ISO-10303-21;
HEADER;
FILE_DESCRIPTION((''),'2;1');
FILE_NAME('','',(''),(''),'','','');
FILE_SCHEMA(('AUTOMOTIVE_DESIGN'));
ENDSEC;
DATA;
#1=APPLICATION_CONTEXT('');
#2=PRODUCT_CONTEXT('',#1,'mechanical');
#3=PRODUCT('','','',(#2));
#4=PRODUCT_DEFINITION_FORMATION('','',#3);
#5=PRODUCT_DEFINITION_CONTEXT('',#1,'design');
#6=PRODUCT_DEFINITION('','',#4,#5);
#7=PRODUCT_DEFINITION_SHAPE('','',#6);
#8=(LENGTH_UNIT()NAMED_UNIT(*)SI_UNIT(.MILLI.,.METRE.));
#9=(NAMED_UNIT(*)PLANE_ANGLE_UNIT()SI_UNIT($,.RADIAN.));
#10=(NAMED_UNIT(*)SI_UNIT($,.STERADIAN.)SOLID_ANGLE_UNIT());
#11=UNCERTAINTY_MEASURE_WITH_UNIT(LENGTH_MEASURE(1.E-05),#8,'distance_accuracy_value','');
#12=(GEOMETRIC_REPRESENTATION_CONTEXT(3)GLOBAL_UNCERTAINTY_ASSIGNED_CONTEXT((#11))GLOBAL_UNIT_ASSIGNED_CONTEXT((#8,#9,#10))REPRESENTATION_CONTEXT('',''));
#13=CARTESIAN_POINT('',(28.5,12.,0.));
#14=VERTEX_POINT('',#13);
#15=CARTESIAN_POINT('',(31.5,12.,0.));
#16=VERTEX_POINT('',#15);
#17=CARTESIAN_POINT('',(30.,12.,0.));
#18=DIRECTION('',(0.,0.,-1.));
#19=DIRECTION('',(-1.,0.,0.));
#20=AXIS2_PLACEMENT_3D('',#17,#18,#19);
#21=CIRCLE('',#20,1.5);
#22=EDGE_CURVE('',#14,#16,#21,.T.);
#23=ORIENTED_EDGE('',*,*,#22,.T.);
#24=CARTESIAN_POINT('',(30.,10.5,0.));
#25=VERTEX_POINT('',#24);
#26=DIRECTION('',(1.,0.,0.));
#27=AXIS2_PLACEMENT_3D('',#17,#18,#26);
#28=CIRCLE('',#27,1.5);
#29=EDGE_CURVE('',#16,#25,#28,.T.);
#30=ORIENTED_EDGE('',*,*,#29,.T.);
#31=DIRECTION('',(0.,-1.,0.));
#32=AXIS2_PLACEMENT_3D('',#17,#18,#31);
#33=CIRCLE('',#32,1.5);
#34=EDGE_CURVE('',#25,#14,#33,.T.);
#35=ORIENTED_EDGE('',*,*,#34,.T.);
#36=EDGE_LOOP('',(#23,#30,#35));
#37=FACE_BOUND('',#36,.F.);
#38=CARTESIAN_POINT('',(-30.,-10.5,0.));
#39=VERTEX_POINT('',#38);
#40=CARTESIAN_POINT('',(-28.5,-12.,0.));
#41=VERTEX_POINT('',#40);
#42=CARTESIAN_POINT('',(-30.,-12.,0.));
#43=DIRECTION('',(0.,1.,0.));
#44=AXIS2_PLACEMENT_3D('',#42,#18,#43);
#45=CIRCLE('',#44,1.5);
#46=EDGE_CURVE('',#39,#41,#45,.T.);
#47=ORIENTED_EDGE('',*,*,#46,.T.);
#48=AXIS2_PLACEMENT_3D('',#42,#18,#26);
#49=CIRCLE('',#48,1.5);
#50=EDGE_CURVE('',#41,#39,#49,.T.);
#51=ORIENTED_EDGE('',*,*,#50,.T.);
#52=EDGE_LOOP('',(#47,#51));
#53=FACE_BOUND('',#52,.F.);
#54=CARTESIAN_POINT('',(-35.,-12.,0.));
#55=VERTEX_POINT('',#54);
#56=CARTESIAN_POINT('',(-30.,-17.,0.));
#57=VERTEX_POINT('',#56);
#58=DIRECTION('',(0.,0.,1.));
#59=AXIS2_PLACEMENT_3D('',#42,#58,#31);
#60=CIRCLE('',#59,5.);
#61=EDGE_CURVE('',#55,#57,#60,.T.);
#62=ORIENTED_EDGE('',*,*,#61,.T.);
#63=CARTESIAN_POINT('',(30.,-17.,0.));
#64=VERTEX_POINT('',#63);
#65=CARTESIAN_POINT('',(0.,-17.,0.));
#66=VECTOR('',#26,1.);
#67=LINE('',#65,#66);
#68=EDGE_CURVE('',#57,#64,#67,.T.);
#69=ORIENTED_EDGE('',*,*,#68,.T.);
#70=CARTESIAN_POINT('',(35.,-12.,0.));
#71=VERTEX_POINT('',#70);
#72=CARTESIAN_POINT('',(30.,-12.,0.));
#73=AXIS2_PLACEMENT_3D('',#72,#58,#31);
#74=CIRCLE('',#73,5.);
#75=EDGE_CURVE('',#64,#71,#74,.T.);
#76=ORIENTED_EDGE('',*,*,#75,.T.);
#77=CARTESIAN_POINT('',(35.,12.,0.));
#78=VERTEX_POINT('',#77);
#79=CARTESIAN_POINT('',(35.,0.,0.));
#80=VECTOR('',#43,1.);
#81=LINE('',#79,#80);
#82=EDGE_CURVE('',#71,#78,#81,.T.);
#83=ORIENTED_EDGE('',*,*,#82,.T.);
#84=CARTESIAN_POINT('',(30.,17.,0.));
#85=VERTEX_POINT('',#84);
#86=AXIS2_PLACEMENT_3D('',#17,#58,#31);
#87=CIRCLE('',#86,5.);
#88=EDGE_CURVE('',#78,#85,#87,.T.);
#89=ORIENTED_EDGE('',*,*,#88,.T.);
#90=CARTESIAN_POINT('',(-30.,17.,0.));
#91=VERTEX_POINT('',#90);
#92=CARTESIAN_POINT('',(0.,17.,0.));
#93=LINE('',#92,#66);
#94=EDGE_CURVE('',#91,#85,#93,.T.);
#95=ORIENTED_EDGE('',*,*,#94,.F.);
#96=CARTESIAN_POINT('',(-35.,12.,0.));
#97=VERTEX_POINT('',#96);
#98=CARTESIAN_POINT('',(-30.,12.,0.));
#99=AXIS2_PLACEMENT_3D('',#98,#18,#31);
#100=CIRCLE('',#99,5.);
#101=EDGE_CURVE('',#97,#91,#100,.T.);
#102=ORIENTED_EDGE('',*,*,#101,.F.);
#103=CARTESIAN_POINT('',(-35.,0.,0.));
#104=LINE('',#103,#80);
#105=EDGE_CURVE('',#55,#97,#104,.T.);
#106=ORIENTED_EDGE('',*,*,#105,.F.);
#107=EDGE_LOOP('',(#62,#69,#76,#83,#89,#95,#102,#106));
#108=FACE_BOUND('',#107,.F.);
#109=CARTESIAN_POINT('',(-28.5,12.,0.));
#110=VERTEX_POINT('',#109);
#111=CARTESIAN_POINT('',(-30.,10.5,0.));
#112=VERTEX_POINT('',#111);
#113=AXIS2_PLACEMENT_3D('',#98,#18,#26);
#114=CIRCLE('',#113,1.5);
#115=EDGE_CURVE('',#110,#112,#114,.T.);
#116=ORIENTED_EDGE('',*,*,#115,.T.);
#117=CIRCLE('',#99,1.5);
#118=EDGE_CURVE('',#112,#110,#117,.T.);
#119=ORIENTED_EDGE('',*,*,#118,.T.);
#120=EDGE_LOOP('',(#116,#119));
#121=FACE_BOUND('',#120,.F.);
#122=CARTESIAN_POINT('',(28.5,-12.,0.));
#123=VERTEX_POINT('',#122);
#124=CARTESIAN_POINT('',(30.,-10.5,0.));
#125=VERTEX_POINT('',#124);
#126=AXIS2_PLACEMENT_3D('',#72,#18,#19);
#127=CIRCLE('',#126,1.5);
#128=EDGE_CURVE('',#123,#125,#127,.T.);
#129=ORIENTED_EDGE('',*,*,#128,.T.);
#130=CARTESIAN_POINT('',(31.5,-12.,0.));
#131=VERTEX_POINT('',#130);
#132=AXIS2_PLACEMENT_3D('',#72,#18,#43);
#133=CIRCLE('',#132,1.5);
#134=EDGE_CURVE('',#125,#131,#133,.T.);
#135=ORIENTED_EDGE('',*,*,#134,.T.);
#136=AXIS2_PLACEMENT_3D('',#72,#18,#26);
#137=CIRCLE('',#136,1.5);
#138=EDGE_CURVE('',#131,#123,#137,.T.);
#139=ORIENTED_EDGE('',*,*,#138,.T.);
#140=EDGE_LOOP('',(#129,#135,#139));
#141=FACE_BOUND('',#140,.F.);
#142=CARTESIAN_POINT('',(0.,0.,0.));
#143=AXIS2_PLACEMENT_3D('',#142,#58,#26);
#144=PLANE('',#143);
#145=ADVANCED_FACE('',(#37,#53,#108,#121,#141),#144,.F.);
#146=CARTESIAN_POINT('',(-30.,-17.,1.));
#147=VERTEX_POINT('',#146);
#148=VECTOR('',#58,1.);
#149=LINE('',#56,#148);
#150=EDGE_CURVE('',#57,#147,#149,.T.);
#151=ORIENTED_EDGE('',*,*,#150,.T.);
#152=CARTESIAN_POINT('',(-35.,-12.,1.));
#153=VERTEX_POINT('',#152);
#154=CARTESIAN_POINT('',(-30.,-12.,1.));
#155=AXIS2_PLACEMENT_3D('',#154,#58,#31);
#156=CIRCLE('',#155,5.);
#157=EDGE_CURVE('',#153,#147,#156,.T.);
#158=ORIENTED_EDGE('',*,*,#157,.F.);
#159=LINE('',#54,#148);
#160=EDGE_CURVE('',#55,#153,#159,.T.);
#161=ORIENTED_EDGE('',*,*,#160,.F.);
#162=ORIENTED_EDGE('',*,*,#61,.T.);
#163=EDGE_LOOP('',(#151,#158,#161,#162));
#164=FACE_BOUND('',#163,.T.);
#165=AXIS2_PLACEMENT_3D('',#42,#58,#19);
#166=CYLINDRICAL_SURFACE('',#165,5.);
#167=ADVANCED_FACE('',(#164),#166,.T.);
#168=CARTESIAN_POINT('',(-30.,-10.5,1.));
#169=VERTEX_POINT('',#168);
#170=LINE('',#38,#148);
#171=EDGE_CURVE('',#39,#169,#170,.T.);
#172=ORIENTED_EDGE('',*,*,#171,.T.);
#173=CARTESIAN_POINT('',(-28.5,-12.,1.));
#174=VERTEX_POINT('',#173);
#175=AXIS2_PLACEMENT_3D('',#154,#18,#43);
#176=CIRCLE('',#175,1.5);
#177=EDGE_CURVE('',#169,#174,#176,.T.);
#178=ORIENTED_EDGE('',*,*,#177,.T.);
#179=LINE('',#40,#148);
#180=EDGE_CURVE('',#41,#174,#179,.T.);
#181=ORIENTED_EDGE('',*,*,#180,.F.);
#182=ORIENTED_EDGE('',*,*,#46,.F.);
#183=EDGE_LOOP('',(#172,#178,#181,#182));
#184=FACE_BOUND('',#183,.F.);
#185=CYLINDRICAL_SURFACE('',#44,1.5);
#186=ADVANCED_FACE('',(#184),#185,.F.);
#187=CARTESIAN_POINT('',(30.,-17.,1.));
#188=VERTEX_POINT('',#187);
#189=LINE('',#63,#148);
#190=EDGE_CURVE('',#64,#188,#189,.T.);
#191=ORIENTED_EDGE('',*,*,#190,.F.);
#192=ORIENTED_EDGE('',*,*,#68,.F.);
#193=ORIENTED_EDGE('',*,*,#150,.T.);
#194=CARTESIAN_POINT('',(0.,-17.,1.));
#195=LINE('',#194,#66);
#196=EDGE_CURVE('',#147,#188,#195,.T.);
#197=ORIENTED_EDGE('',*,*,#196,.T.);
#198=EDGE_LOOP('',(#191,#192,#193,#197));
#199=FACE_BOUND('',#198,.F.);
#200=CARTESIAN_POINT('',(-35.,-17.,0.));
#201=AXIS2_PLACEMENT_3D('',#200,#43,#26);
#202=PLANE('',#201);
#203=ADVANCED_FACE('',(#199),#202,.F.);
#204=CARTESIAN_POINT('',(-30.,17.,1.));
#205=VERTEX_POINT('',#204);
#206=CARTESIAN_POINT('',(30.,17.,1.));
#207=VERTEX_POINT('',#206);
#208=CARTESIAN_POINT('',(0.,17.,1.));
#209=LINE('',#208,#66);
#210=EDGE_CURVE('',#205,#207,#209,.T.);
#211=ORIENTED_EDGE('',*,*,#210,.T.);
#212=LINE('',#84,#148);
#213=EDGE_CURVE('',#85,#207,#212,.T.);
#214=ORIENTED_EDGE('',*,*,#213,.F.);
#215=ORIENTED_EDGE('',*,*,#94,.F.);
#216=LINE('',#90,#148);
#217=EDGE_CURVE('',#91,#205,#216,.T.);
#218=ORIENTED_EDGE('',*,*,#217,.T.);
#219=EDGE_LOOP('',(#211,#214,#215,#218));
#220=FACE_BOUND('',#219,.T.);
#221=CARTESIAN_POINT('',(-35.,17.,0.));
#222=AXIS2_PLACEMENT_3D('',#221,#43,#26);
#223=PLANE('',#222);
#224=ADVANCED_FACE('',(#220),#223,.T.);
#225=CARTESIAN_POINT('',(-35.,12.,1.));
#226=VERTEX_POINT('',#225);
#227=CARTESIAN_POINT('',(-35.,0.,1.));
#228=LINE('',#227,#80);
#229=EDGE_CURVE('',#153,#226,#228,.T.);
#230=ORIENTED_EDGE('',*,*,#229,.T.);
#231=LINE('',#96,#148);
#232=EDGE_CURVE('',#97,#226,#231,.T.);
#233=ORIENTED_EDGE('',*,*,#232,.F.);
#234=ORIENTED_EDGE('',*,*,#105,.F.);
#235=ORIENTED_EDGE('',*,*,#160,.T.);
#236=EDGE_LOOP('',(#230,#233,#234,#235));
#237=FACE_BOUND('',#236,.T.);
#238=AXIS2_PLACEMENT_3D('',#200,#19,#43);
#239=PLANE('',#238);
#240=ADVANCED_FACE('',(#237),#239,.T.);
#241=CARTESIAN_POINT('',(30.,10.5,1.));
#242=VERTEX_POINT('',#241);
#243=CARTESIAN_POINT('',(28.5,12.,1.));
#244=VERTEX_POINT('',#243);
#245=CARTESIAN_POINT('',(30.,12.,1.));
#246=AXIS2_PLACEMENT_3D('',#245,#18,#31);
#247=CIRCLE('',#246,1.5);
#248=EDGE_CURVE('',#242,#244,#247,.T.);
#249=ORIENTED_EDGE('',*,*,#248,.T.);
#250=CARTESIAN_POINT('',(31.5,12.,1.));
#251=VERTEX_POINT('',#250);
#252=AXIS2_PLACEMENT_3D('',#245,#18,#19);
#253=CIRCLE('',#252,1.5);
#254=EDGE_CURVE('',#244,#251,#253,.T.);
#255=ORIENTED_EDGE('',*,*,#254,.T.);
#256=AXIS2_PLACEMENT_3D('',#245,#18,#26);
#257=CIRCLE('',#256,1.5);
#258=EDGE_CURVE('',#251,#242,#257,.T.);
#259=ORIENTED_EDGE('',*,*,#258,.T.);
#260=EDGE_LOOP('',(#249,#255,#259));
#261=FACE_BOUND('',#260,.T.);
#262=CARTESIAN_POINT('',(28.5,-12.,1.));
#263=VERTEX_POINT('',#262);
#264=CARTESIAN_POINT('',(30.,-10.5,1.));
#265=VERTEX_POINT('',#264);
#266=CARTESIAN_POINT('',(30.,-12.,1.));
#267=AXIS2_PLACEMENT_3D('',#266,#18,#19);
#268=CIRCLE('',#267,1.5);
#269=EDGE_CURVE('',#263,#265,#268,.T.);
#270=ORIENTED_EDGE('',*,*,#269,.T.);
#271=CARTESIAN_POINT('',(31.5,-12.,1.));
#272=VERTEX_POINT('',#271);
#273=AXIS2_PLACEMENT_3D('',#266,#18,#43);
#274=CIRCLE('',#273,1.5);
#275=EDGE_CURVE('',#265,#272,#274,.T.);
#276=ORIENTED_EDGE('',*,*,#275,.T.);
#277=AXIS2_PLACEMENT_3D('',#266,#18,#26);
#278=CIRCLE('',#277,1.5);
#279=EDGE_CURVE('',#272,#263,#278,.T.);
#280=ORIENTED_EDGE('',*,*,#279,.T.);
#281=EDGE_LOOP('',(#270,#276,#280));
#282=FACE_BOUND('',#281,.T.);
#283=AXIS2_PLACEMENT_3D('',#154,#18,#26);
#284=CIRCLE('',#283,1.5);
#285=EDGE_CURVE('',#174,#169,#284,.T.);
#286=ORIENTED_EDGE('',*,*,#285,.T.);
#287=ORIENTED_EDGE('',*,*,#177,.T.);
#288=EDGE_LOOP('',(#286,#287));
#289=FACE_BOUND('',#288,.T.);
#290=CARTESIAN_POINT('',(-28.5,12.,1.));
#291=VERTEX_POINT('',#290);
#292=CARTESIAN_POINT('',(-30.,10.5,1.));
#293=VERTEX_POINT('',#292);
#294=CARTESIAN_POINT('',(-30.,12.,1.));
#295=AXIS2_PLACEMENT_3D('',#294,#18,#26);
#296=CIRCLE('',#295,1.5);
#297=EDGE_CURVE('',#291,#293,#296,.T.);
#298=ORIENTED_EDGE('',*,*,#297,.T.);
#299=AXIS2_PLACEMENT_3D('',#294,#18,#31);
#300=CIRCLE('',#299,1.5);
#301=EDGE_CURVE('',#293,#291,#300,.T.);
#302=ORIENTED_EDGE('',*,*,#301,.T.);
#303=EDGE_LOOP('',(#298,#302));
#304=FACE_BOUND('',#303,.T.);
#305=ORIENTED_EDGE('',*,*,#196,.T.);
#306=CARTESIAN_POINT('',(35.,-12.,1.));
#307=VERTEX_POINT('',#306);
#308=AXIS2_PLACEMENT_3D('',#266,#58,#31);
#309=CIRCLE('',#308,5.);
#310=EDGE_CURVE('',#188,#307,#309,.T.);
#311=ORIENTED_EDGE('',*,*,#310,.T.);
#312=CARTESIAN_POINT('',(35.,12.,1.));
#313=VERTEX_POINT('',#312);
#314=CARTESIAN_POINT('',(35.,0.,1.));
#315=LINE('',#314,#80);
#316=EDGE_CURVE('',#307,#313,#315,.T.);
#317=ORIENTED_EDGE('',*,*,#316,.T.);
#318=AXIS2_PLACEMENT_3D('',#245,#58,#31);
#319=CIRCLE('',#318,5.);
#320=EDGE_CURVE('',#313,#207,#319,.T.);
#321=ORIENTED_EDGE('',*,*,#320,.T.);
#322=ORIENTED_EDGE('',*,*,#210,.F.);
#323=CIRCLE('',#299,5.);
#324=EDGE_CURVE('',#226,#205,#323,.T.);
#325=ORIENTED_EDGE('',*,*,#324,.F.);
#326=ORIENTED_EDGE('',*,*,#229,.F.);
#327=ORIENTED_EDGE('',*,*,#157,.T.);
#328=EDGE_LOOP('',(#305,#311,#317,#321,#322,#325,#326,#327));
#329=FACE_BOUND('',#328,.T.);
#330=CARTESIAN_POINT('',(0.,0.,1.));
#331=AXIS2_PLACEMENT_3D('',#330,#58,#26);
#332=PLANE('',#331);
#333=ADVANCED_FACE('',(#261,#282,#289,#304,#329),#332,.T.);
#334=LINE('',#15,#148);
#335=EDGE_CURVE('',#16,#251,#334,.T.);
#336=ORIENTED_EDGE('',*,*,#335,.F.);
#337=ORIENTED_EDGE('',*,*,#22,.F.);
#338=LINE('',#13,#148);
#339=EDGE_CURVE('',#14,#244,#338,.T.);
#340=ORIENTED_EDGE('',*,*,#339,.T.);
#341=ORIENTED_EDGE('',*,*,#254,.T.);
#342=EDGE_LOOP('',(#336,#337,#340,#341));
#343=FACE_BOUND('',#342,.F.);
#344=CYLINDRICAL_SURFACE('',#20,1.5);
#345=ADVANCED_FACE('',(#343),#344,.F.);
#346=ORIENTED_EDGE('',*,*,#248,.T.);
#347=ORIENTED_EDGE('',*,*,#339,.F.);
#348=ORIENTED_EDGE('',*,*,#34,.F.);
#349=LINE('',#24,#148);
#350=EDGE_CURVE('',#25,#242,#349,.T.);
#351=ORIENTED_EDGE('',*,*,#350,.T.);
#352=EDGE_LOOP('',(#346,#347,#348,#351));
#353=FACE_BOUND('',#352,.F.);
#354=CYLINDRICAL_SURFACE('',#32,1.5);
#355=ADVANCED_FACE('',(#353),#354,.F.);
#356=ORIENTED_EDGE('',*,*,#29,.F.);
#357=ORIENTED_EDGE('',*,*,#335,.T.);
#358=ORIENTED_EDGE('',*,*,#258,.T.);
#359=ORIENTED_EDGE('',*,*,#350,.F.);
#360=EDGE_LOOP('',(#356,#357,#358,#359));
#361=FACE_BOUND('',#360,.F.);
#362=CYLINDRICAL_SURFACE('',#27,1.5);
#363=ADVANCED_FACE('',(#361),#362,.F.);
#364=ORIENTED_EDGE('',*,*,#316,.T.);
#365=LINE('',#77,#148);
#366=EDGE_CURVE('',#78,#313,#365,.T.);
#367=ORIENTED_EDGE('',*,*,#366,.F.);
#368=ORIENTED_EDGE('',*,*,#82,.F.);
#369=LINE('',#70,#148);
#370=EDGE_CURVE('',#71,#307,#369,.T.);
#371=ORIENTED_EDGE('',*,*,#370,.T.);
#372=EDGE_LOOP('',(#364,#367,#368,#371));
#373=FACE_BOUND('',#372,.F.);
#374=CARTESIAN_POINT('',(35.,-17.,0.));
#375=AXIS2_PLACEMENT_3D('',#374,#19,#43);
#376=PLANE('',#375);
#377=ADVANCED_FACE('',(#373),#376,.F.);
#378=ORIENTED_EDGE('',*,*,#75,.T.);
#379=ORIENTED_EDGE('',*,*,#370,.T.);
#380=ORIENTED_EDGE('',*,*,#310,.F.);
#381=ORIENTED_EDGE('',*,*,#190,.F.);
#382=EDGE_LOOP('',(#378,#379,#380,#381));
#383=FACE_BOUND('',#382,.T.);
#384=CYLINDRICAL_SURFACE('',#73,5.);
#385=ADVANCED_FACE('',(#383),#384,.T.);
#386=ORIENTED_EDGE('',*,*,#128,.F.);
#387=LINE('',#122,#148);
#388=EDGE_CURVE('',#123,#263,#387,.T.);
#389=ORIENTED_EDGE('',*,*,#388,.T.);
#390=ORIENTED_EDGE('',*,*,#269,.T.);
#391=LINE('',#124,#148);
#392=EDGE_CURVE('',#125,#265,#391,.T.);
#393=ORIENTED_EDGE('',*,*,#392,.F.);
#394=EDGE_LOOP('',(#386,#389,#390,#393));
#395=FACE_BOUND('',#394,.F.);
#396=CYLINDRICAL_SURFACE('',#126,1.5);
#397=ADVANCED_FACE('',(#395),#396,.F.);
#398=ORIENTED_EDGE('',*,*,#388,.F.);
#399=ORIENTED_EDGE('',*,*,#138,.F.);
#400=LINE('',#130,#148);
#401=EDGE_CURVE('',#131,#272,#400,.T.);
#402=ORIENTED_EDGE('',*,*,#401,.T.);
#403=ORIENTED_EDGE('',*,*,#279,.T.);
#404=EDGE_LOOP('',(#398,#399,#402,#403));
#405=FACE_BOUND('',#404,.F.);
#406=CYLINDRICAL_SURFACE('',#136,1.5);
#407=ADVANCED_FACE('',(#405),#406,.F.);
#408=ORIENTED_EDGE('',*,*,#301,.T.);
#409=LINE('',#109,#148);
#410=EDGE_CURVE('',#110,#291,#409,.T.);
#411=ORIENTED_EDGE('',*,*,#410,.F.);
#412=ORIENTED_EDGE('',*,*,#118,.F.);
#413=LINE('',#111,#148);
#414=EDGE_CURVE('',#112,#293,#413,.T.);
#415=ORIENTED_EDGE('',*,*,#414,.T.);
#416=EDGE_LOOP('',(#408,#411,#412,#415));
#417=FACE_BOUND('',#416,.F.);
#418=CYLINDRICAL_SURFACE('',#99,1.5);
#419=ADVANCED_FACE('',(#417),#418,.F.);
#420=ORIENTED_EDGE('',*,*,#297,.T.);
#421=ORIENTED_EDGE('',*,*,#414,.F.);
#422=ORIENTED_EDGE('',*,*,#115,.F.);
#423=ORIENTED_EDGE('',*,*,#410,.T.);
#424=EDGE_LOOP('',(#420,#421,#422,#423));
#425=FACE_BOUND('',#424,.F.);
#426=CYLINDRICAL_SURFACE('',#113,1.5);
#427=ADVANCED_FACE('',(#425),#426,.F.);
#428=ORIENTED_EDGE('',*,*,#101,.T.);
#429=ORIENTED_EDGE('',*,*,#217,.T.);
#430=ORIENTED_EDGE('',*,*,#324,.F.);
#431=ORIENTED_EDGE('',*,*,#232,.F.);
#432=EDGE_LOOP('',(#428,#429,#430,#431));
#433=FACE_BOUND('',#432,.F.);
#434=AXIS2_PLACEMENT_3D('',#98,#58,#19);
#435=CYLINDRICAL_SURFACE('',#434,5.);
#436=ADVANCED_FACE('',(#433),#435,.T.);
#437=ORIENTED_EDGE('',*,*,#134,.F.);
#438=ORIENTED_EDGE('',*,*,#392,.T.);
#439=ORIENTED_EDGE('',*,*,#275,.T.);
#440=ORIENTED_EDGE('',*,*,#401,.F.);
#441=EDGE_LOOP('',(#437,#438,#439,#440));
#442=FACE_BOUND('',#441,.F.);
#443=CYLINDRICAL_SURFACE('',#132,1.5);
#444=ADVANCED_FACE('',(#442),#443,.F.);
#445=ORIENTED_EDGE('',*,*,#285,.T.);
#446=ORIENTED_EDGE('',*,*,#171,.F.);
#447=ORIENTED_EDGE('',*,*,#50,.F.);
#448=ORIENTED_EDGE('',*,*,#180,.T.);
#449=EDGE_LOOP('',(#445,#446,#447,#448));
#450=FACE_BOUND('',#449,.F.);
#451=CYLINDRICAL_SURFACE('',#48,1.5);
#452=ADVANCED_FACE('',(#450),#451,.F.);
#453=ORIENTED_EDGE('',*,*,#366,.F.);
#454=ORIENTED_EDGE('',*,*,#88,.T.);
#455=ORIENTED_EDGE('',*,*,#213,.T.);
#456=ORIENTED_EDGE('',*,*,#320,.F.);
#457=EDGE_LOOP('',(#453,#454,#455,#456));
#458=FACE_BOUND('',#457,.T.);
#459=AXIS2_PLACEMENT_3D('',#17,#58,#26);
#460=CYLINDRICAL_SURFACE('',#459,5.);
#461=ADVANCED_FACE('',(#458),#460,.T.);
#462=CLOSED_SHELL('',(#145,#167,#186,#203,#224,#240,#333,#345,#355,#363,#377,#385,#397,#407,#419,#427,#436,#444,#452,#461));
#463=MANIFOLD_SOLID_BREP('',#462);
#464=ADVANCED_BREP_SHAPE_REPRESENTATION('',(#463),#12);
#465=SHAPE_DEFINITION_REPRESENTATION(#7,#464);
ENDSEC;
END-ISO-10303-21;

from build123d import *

# Parameters (mm, degrees)
F0_W     = 70
F0_H     = 34
F1_DEPTH = 1
F2_R     = 5


with BuildPart() as f1:
    # F0 (on Top) → F1 (new body)
    with BuildSketch(Plane.XY):
        Rectangle(F0_W, F0_H)
        with BuildLine():
            ThreePointArc((-30, 10.5), (-31.0606601718, 13.0606601718), (-28.5, 12))
            Line((-28.5, 12), (28.5, 12))
            ThreePointArc((28.5, 12), (30, 13.5), (31.5, 12))
            ThreePointArc((31.5, 12), (31.0606601718, 10.9393398282), (30, 10.5))
            Line((30, 10.5), (30, -10.5))
            ThreePointArc((30, -10.5), (31.0606601718, -10.9393398282), (31.5, -12))
            ThreePointArc((31.5, -12), (30, -13.5), (28.5, -12))
            Line((28.5, -12), (-28.5, -12))
            ThreePointArc((-28.5, -12), (-31.0606601718, -13.0606601718), (-30, -10.5))
            Line((-30, -10.5), (-30, 10.5))
        make_face(mode=Mode.SUBTRACT)
        with BuildLine():
            Line((28.5, 12), (-28.5, 12))
            ThreePointArc((-28.5, 12), (-28.9393398282, 10.9393398282), (-30, 10.5))
            Line((-30, 10.5), (-30, -10.5))
            ThreePointArc((-30, -10.5), (-28.9393398282, -10.9393398282), (-28.5, -12))
            Line((-28.5, -12), (28.5, -12))
            ThreePointArc((28.5, -12), (28.9393398282, -10.9393398282), (30, -10.5))
            Line((30, -10.5), (30, 10.5))
            ThreePointArc((30, 10.5), (28.9393398282, 10.9393398282), (28.5, 12))
        make_face()
    extrude(amount=F1_DEPTH)

    # F2
    f2_edges = [f1.edges().sort_by_distance(p)[0] for p in [
        (-35, -17, 0.5),
        (-35, 17, 0.5),
        (35, 17, 0.5),
        (35, -17, 0.5),
    ]]
    fillet(f2_edges, radius=F2_R)


solid = f1.part
